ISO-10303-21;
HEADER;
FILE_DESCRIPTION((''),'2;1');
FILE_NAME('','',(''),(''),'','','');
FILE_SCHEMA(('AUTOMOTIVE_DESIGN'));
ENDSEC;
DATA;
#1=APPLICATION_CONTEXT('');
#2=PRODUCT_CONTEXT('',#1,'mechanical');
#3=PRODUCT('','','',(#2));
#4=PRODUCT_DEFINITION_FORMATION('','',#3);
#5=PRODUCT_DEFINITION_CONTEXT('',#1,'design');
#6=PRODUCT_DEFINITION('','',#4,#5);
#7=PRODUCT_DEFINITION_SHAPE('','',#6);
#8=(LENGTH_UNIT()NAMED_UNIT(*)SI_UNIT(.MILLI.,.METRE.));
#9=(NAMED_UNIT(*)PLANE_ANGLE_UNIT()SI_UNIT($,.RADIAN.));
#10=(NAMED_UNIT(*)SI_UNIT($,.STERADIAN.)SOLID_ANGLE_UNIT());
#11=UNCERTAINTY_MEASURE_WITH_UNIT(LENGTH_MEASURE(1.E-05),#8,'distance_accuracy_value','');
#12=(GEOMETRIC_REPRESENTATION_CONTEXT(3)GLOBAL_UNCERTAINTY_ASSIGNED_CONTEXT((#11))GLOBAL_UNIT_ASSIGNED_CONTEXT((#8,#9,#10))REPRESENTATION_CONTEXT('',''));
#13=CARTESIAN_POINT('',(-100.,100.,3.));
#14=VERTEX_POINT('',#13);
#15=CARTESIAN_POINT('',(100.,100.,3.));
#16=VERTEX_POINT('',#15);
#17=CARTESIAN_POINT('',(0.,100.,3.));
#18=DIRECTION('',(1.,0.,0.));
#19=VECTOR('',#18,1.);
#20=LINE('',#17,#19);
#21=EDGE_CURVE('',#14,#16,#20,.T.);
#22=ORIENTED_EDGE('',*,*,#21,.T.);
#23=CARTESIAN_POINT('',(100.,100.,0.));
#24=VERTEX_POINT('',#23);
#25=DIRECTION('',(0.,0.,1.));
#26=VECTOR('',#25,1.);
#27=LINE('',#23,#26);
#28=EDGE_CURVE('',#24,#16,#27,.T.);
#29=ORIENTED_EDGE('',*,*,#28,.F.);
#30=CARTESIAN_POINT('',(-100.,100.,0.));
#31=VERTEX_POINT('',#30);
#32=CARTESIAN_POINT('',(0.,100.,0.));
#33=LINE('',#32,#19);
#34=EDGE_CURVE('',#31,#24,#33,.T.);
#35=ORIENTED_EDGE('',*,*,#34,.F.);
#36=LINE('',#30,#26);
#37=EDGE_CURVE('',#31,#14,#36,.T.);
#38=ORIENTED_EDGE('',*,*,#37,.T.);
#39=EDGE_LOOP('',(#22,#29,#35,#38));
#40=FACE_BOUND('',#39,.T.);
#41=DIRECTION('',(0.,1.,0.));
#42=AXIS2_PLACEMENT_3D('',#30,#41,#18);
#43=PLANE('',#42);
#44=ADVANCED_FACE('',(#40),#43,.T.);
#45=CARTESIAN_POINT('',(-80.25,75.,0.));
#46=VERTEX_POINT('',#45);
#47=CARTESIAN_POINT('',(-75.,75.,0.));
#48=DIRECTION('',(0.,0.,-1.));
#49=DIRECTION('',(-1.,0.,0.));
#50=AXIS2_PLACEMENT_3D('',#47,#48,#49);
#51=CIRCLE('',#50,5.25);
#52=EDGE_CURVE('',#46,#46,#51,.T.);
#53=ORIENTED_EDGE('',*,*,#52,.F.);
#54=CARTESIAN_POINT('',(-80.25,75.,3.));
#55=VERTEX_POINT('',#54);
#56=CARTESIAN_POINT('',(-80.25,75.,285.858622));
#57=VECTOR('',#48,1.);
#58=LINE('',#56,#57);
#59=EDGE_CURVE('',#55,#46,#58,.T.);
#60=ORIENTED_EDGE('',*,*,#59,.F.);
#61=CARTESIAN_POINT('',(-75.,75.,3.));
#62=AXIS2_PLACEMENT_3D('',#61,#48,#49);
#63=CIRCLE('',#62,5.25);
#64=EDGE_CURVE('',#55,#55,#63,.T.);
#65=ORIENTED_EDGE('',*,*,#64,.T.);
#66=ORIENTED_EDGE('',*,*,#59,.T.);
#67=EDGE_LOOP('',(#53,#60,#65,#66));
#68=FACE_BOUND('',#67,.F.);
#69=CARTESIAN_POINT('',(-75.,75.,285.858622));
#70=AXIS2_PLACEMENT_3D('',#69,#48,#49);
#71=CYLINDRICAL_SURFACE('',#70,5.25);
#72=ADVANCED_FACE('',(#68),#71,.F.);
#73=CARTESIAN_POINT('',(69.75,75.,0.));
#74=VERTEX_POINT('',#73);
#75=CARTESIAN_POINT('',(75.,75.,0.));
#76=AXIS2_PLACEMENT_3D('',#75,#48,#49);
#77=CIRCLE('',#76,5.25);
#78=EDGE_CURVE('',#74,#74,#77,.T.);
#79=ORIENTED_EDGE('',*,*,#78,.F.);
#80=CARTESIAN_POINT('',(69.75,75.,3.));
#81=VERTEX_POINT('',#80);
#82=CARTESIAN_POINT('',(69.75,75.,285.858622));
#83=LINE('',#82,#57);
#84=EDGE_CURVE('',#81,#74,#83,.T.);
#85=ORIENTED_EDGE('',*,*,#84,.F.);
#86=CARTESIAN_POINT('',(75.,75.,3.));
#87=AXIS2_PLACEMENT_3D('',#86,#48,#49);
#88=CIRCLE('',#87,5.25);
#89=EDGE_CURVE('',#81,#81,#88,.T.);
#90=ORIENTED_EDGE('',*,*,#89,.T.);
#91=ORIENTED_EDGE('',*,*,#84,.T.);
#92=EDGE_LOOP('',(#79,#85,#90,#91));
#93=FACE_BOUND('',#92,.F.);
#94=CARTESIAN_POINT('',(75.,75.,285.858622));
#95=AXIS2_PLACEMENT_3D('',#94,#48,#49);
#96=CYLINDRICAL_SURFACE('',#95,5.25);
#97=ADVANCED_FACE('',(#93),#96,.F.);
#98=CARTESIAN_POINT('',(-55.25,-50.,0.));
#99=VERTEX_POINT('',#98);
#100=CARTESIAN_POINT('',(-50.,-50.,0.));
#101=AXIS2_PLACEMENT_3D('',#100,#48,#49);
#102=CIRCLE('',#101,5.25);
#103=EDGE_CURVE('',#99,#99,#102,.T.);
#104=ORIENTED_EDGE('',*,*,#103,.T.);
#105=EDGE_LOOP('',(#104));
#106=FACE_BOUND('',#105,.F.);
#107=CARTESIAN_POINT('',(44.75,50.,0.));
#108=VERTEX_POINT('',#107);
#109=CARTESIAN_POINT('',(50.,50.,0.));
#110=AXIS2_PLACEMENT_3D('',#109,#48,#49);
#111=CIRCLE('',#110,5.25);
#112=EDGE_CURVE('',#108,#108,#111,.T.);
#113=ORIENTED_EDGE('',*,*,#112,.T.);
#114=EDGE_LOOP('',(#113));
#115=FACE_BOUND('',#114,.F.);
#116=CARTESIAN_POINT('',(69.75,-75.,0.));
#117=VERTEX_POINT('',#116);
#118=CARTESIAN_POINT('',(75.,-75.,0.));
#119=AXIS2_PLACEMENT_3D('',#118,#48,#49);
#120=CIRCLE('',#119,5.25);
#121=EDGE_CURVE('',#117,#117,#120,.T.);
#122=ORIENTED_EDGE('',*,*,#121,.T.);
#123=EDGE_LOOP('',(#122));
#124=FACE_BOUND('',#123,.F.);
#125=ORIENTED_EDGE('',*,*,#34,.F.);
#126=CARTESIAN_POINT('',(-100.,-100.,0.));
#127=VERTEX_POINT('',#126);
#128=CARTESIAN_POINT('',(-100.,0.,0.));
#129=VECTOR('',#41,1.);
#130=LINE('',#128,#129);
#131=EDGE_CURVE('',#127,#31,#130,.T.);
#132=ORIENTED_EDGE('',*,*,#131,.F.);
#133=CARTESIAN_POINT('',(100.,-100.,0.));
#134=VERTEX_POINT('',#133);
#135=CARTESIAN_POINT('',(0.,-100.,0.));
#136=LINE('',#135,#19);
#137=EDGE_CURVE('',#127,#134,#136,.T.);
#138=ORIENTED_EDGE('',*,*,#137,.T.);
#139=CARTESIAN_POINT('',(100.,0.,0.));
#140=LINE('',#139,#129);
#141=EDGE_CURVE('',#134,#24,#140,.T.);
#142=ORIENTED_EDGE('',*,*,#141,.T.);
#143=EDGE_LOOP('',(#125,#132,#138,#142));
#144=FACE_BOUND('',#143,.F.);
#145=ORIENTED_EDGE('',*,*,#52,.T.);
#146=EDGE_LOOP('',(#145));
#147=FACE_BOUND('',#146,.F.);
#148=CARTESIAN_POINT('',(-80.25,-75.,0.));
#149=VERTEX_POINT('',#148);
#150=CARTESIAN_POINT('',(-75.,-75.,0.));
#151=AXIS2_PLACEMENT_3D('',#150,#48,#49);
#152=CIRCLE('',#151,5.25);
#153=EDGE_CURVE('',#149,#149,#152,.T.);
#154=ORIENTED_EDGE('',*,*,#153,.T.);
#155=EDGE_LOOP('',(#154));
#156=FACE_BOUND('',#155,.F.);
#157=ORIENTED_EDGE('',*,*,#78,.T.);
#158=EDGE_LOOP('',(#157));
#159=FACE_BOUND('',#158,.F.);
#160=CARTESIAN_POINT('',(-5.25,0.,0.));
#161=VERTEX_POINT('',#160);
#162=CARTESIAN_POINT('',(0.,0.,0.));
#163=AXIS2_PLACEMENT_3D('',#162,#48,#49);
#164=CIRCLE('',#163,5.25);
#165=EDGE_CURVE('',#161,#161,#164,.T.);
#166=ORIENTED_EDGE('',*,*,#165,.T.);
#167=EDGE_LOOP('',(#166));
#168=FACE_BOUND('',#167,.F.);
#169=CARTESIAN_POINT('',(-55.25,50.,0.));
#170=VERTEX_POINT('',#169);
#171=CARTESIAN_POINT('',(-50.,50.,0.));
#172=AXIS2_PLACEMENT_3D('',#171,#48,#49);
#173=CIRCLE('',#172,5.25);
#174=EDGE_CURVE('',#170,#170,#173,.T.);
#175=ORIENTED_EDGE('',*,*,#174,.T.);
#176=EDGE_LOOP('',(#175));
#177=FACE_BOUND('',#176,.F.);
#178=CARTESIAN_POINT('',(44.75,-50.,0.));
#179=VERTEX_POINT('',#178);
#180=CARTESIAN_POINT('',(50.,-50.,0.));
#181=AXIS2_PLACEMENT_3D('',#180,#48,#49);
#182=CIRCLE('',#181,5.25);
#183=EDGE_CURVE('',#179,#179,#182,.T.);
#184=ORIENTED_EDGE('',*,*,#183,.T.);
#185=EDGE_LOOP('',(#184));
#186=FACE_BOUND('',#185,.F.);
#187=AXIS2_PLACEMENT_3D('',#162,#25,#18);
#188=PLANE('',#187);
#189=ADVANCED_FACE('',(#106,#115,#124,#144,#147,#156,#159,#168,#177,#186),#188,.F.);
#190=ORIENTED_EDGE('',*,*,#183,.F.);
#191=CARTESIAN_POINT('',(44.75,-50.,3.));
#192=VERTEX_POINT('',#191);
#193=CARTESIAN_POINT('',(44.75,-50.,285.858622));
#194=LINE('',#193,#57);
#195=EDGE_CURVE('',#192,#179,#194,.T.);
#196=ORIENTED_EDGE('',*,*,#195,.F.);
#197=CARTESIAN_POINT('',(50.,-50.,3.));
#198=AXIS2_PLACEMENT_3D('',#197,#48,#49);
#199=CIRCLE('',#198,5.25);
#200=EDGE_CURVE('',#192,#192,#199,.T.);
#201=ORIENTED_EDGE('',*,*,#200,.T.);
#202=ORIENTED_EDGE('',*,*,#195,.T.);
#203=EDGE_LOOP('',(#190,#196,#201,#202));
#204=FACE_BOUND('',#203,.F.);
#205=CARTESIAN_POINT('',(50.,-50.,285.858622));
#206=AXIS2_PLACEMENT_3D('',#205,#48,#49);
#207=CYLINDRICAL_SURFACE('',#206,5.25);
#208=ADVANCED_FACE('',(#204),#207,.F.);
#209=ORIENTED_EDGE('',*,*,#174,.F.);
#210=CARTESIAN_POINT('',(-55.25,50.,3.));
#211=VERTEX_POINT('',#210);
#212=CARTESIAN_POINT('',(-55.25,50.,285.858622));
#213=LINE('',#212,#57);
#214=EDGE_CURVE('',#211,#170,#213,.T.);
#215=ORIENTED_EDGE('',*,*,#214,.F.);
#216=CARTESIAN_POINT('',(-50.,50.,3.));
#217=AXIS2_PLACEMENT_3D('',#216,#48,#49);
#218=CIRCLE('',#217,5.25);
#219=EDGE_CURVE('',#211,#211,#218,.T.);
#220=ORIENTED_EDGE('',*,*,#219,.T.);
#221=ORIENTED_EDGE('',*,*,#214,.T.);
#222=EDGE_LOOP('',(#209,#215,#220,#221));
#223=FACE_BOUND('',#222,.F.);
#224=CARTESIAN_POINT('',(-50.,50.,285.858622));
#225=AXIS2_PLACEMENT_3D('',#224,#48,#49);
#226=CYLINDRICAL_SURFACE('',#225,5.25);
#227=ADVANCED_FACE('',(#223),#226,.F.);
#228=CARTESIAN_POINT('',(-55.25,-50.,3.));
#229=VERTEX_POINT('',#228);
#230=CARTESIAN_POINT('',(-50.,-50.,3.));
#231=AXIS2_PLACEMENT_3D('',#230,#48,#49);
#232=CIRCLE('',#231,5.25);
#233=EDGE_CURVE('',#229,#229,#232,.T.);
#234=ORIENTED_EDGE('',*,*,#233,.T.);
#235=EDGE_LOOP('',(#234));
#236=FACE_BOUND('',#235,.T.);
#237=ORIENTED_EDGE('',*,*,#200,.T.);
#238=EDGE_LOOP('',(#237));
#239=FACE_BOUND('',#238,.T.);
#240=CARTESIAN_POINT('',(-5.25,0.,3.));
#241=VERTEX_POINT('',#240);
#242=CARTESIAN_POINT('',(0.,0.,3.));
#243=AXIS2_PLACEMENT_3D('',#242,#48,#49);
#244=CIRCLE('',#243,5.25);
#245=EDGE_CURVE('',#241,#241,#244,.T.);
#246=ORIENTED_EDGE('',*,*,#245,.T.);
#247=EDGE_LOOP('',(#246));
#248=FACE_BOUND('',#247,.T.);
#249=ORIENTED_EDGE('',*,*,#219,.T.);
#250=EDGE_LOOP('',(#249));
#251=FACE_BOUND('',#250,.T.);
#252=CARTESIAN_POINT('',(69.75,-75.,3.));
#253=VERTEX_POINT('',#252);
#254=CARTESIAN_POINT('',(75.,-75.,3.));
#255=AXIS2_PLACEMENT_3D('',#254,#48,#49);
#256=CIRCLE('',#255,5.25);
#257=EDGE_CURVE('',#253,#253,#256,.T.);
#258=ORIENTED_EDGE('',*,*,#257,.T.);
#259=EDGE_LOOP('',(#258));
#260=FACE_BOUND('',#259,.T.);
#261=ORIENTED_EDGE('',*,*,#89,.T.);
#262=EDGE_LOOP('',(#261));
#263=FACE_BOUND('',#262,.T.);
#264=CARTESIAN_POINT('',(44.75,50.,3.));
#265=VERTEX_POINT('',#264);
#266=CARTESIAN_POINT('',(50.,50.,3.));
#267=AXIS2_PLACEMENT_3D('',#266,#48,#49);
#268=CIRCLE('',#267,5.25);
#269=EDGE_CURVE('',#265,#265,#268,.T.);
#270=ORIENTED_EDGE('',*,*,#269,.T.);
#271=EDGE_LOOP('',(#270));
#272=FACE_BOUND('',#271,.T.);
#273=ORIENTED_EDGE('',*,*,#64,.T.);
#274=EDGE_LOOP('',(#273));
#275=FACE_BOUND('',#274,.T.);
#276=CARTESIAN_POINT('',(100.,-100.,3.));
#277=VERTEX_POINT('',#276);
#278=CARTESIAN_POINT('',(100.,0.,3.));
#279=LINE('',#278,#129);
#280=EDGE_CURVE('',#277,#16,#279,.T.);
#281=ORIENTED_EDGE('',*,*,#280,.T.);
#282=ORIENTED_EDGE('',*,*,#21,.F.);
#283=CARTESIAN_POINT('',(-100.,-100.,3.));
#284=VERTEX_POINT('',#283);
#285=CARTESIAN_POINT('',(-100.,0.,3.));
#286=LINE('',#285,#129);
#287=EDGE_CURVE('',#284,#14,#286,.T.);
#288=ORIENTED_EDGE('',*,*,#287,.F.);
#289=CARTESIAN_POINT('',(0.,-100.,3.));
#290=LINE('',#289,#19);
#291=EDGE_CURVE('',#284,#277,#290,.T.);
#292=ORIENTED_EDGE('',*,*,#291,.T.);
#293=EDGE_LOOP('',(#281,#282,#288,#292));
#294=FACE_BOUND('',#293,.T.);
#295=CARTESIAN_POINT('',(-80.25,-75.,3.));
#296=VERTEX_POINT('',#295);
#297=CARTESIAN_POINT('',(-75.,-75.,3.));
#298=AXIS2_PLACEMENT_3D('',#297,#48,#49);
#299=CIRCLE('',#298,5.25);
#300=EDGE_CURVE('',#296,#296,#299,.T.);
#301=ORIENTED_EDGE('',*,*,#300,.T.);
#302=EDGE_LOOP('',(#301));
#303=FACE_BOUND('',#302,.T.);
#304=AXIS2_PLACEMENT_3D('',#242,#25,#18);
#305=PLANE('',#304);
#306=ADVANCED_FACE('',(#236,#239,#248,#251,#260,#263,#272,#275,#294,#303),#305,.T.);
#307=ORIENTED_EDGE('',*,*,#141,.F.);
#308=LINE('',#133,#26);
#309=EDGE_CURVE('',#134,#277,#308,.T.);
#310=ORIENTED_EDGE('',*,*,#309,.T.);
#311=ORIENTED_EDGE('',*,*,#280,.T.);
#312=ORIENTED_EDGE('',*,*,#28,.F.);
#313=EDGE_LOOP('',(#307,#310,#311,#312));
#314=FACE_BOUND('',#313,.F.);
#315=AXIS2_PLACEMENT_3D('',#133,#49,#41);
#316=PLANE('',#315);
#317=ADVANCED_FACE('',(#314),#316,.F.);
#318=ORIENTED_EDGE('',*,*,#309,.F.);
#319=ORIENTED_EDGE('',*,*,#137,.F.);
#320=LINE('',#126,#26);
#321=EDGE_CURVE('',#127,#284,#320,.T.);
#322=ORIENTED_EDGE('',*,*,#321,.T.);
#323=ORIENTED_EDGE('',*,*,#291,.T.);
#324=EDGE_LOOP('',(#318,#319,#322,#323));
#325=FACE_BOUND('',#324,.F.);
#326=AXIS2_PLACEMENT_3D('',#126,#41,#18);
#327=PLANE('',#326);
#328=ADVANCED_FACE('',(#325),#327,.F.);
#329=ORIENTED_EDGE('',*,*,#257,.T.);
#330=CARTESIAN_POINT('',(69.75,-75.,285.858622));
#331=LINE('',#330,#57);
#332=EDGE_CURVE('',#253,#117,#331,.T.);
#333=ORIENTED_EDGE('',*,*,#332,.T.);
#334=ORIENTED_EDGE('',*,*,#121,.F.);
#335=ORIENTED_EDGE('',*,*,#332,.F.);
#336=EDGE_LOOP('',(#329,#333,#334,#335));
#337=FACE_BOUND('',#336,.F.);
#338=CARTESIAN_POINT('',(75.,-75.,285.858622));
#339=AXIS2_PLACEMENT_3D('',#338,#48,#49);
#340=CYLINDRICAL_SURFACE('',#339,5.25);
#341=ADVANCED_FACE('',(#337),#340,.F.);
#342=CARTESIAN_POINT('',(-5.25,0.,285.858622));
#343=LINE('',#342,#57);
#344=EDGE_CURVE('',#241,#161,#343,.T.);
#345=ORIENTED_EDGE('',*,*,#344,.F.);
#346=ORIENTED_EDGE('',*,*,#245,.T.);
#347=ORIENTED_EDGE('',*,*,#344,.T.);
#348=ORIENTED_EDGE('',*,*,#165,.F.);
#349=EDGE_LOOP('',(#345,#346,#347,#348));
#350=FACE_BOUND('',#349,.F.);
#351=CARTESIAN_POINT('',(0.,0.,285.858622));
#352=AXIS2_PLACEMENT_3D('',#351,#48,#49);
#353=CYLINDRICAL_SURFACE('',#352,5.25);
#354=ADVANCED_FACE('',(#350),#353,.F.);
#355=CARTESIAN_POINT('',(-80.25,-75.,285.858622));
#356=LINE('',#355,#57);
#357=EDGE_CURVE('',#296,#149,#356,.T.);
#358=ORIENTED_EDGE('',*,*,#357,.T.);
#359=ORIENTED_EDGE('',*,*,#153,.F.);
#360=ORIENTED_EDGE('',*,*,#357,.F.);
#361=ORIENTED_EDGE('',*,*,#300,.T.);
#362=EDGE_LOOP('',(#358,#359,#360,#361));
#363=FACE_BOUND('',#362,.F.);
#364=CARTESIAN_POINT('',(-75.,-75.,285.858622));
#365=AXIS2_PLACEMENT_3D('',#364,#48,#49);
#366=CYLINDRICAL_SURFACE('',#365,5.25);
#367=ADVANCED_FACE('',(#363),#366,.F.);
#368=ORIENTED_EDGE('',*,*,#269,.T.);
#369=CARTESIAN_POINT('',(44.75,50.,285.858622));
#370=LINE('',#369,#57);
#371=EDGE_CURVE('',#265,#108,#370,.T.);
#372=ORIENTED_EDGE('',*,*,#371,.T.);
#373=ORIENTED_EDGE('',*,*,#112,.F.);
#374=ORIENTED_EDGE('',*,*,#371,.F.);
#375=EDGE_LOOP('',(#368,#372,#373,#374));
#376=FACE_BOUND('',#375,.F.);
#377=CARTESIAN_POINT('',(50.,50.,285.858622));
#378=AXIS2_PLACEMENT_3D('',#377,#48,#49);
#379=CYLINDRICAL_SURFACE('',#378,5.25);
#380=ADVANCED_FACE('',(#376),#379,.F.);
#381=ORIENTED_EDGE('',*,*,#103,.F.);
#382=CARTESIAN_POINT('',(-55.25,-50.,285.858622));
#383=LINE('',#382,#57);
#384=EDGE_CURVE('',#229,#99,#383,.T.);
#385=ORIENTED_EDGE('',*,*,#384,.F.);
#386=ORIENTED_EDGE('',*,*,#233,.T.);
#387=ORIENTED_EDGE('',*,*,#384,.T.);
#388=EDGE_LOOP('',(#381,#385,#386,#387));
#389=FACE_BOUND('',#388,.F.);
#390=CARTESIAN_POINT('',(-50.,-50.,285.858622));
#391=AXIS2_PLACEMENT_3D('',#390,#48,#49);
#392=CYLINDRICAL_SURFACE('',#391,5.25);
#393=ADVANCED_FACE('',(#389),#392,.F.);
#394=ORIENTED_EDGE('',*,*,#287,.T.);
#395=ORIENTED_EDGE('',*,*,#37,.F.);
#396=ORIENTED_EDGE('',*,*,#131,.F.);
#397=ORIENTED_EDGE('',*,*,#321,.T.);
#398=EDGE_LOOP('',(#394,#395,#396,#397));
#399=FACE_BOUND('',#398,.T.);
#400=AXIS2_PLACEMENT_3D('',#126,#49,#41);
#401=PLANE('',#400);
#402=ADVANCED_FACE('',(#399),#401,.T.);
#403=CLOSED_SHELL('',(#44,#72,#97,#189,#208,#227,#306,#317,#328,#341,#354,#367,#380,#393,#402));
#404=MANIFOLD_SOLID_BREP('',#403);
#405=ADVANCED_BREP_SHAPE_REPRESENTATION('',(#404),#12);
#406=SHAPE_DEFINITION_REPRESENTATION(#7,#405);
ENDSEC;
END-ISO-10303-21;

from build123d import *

# Parameters (mm, degrees)
F0_W     = 200
F0_H     = 200
F1_DEPTH = 3
F3_D     = 10.5


with BuildPart() as f1:
    # F0 (on Top) → F1 (new body)
    with BuildSketch(Plane.XY):
        Rectangle(F0_W, F0_H)
    extrude(amount=F1_DEPTH)

    # F3 (through all)
    with Locations(Plane.XY.offset(3)):
        with Locations((75, 75), (50, 50), (-75, 75), (-50, 50), (-50, -50), (-75, -75), (50, -50), (75, -75), (0, 0)):
            Hole(F3_D / 2)


solid = f1.part
